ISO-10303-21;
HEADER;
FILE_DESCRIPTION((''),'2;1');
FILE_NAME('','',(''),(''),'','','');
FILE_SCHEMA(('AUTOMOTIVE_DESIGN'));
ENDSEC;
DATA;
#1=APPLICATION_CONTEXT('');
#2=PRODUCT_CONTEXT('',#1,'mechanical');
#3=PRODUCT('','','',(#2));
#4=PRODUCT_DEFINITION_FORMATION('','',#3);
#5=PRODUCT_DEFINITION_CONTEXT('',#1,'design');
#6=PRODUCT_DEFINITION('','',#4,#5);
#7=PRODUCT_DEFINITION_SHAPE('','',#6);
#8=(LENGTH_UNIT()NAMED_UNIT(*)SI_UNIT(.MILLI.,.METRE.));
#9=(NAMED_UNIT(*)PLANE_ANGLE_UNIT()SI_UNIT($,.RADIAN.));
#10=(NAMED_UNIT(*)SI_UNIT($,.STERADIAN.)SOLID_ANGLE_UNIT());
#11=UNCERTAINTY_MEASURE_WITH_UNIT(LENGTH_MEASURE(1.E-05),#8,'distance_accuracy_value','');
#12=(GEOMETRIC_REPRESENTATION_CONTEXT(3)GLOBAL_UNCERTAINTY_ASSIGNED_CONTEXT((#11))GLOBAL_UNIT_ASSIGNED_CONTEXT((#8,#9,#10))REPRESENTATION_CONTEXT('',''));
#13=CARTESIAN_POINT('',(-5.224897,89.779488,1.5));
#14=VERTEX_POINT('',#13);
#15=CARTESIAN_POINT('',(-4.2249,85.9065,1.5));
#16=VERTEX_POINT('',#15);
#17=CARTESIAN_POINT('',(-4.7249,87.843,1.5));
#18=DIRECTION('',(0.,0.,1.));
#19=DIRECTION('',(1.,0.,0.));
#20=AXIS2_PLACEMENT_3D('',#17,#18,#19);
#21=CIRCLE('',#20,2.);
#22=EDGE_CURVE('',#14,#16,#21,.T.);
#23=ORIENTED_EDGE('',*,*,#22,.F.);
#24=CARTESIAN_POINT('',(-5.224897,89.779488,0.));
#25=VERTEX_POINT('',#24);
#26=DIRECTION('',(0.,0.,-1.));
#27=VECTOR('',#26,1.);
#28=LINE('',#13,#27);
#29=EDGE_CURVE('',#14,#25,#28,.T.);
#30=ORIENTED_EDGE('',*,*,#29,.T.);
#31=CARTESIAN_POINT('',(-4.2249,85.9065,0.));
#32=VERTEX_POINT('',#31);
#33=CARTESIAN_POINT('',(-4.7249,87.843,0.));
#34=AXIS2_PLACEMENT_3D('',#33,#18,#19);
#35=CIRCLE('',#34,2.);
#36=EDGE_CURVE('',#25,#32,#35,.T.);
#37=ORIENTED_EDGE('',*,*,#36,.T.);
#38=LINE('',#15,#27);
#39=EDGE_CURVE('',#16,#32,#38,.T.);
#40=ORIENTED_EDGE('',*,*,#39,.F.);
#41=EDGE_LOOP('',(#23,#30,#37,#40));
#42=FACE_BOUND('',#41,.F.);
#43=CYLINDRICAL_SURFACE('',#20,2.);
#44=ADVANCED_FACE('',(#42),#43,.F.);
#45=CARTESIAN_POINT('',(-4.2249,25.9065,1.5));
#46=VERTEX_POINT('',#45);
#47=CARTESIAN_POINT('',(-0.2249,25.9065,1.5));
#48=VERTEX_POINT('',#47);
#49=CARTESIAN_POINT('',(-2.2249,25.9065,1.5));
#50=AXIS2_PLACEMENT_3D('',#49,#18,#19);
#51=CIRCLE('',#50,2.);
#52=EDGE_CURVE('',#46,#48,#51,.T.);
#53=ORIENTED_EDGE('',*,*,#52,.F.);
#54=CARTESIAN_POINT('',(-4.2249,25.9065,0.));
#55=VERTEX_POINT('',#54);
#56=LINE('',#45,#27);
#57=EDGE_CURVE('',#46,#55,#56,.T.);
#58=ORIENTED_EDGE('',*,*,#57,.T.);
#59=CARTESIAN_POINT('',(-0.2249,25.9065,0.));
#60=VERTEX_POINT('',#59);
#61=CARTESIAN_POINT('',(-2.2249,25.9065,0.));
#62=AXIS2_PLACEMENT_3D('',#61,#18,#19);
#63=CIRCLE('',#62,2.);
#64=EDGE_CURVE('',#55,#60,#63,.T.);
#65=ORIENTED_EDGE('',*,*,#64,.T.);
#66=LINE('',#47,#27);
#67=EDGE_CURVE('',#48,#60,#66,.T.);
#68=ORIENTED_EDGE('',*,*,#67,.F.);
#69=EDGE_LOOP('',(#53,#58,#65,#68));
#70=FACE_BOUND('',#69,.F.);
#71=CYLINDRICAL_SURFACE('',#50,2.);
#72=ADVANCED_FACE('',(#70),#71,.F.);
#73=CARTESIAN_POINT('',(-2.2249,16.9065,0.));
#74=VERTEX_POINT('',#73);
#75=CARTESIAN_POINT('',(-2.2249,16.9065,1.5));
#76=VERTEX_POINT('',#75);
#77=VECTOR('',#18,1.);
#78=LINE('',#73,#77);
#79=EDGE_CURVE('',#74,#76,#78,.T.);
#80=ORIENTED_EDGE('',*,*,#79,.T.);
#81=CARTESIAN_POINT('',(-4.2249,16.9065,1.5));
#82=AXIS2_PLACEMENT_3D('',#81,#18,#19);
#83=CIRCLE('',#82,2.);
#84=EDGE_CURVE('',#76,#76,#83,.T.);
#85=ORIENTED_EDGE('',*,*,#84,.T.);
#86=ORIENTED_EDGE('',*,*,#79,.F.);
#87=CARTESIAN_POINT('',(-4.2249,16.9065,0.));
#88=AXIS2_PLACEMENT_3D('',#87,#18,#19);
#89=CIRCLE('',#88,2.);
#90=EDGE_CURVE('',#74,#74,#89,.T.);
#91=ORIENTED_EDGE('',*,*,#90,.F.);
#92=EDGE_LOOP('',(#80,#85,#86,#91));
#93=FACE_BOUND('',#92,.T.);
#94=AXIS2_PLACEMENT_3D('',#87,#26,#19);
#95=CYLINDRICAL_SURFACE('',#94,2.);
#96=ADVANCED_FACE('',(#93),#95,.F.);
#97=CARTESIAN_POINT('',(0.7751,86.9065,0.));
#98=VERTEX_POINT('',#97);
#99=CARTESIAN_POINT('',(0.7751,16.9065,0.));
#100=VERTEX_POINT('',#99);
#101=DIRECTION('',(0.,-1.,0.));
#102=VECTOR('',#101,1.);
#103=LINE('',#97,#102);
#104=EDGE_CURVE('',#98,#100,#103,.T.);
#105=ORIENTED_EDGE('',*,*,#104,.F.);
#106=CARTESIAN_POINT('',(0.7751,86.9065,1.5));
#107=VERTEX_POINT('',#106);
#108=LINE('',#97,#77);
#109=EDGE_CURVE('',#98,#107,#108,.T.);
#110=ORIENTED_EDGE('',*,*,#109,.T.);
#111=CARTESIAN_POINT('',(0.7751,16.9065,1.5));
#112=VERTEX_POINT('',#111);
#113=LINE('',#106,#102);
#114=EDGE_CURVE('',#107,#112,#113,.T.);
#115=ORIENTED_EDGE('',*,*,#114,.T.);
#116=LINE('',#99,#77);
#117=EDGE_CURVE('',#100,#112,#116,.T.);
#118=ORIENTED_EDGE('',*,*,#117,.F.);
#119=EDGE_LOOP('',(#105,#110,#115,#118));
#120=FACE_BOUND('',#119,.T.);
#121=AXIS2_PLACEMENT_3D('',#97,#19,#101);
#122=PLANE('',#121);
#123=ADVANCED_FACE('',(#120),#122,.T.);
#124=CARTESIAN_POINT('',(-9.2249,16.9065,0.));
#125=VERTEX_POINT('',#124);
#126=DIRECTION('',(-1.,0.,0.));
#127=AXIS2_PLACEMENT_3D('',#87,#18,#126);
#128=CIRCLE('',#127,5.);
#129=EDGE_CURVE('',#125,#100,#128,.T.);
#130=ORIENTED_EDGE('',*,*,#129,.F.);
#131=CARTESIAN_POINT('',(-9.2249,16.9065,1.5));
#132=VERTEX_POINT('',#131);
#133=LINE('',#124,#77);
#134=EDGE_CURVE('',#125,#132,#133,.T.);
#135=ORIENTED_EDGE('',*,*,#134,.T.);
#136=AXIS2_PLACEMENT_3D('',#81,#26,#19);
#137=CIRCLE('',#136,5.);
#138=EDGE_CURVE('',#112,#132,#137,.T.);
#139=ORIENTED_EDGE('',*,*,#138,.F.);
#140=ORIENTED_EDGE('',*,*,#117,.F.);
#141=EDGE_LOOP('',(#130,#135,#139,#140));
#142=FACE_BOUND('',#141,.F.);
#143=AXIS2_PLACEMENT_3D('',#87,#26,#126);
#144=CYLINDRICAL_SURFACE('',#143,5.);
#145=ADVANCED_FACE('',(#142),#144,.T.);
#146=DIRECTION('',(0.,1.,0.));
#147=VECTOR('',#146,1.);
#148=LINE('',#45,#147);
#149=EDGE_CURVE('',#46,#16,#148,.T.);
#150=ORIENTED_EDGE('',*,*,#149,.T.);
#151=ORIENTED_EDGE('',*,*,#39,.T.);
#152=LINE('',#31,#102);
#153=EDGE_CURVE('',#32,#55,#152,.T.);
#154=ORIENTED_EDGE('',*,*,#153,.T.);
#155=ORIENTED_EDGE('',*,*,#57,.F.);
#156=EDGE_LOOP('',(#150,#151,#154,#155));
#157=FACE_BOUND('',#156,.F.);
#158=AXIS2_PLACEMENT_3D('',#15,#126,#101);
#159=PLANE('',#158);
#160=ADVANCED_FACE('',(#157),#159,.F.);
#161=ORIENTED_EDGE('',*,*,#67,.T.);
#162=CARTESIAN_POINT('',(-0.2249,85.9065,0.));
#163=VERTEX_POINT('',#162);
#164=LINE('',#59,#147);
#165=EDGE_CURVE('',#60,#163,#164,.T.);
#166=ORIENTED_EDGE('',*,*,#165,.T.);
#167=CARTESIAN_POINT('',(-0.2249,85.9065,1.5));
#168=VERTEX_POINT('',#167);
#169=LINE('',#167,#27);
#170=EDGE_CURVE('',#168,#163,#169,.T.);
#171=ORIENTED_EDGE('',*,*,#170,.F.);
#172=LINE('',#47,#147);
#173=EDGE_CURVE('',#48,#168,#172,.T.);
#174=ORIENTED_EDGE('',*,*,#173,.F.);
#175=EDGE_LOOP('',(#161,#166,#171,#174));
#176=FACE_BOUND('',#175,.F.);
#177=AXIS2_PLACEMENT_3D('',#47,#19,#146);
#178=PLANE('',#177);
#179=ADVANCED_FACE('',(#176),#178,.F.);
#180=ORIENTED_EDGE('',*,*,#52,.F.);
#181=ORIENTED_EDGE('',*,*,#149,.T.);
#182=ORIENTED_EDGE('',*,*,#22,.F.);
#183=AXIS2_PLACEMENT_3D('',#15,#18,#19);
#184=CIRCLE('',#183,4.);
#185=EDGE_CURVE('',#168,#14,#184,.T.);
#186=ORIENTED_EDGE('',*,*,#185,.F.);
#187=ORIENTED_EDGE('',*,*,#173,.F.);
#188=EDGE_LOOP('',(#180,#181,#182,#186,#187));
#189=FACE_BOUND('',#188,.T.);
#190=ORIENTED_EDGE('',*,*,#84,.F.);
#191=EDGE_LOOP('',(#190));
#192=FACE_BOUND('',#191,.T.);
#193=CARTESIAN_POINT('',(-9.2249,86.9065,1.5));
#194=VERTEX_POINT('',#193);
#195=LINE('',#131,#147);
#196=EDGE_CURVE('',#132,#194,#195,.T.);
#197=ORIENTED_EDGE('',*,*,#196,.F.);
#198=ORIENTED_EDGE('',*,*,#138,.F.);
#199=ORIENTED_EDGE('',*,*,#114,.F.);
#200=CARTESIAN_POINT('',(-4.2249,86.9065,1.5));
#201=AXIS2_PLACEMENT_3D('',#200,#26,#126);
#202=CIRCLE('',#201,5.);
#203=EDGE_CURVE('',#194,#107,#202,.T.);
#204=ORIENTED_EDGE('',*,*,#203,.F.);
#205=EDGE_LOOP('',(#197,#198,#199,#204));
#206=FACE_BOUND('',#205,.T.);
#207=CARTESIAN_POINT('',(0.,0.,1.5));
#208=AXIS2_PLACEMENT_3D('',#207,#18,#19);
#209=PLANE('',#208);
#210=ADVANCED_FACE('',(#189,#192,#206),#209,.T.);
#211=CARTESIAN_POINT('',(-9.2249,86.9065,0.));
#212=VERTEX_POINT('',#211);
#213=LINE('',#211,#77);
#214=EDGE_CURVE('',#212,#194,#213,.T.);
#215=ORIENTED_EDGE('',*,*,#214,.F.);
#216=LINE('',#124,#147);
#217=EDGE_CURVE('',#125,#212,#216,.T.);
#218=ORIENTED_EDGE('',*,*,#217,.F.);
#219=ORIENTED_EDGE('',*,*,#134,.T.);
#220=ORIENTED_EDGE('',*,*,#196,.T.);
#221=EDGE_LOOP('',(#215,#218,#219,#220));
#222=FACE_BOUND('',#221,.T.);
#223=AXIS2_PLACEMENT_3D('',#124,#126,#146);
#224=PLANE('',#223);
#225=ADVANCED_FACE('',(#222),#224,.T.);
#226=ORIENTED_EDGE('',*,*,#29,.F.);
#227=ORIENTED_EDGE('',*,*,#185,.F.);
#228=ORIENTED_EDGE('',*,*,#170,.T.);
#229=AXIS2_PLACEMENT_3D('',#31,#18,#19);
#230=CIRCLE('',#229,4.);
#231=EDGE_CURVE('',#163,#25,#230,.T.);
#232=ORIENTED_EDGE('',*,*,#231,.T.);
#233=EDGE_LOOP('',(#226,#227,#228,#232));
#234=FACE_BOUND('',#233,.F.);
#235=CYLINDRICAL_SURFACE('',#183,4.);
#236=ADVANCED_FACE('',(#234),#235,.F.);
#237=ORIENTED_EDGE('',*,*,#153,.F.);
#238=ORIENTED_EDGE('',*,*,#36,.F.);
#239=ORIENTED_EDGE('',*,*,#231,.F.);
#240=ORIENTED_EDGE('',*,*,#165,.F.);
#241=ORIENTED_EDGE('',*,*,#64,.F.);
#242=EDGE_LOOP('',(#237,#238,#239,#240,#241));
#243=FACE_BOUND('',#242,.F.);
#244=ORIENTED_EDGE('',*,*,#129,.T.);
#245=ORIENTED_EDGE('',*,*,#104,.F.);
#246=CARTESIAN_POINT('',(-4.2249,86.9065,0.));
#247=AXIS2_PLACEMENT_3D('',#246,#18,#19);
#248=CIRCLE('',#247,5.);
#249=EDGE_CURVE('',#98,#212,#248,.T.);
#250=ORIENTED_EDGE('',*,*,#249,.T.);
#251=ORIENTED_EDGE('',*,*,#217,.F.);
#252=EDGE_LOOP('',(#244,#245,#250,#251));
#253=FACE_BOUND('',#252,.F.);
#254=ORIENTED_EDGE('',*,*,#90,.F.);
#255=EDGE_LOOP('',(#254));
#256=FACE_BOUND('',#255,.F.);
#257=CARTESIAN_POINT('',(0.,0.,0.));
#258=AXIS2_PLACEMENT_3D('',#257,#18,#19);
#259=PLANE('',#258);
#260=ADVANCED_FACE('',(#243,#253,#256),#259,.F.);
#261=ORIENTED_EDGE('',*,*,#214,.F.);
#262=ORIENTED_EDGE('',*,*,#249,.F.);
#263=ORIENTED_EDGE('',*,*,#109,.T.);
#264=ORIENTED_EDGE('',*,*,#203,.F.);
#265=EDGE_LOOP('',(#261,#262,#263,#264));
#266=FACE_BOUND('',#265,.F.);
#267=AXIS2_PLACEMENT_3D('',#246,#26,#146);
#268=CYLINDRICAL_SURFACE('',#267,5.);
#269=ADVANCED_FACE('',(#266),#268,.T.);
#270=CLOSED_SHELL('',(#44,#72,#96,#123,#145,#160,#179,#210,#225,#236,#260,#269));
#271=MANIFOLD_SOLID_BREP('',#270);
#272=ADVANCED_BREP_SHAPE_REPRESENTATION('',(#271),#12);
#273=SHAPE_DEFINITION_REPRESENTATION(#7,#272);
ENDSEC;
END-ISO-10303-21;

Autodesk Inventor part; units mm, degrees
ref_plane "YZ Plane" through (0, 0, 0) normal (1, 0, 0) x (0, 1, 0)
ref_plane "XZ Plane" through (0, 0, 0) normal (0, 1, 0) x (-1, 0, 0)
ref_plane "XY Plane" through (0, 0, 0) normal (0, 0, 1) x (1, 0, 0)
sketch "Sketch1" plane through (0, 0, 0) normal (0, 0, 1) x (1, 0, 0)
  line L0 (-9.2249, 16.9065) -> (-9.2249, 86.9065)
  line L1 (0.7751, 86.9065) -> (0.7751, 16.9065)
  arc A0 (-9.2249, 16.9065) -> (-4.2249, 11.9065) centre (-4.2249, 16.9065) ccw
  arc A1 (-4.2249, 11.9065) -> (0.7751, 16.9065) centre (-4.2249, 16.9065) ccw
  arc A2 (0.7751, 86.9065) -> (-4.2249, 91.9065) centre (-4.2249, 86.9065) ccw
  arc A3 (-4.2249, 91.9065) -> (-9.2249, 86.9065) centre (-4.2249, 86.9065) ccw
  circle A4 centre (-4.2249, 16.9065) radius 2
  line L2 (-4.2249, 11.9065) -> (-4.2249, 91.9065) construction
  line L3 (0.7751, 16.9065) -> (-9.2249, 16.9065) construction
  point P0 (0, 0)
  point P1 (-9.2249, 91.9065)
  point P2 (-9.2249, 11.9065)
  point P3 (0.7751, 91.9065)
  point P4 (-4.2249, 11.9065)
  dimension "d0" = 10
  dimension "d1" = 80
  dimension "d2" = 5
  dimension "d3" = 4
extrude "Extrusion1" add sketch "Sketch1" along normal blind 1.5
sketch "Sketch2" plane through (0, 0, 1.5) normal (0, 0, 1) x (1, 0, 0)
  circle A0 centre (-4.7249, 87.843) radius 2
  line L0 (-9.2249, 86.9065) -> (-9.2249, 16.9065) projected
  line L1 (0.7751, 16.9065) -> (0.7751, 86.9065) projected
  line L2 (0.7751, 85.9065) -> (-9.2249, 85.9065) construction
  circle A1 centre (-4.2249, 85.9065) radius 4
  line L3 (-4.2249, 85.9065) -> (-4.2249, 25.9065)
  line L4 (-4.2249, 25.9065) -> (-0.2249, 25.9065)
  line L5 (-0.2249, 25.9065) -> (-0.2249, 85.9065)
  circle A2 centre (-2.2249, 25.9065) radius 2
  arc A3 (0.7751, 86.9065) -> (-9.2249, 86.9065) centre (-4.2249, 86.9065) ccw projected
  point P0 (0, 0)
  point P1 (-5.2249, 89.7795)
  point P2 (-4.2249, 81.9065)
  point P3 (-4.2249, 91.9065)
  dimension "d6" = 4
  dimension "d8" = 8
  dimension "d7" = 4.5
  dimension "d9" = 4
  dimension "d10" = 60
  dimension "d13" = 6
extrude "Extrusion2" cut sketch "Sketch2" against normal blind 1.5 contours A0 | A0 A1 L3 | A1 L5 A2 L3 | A2 L4 | L4 A2 picked at (-3.9282, 83.2733)
properties part number "držák" material "Aluminum 6061"
